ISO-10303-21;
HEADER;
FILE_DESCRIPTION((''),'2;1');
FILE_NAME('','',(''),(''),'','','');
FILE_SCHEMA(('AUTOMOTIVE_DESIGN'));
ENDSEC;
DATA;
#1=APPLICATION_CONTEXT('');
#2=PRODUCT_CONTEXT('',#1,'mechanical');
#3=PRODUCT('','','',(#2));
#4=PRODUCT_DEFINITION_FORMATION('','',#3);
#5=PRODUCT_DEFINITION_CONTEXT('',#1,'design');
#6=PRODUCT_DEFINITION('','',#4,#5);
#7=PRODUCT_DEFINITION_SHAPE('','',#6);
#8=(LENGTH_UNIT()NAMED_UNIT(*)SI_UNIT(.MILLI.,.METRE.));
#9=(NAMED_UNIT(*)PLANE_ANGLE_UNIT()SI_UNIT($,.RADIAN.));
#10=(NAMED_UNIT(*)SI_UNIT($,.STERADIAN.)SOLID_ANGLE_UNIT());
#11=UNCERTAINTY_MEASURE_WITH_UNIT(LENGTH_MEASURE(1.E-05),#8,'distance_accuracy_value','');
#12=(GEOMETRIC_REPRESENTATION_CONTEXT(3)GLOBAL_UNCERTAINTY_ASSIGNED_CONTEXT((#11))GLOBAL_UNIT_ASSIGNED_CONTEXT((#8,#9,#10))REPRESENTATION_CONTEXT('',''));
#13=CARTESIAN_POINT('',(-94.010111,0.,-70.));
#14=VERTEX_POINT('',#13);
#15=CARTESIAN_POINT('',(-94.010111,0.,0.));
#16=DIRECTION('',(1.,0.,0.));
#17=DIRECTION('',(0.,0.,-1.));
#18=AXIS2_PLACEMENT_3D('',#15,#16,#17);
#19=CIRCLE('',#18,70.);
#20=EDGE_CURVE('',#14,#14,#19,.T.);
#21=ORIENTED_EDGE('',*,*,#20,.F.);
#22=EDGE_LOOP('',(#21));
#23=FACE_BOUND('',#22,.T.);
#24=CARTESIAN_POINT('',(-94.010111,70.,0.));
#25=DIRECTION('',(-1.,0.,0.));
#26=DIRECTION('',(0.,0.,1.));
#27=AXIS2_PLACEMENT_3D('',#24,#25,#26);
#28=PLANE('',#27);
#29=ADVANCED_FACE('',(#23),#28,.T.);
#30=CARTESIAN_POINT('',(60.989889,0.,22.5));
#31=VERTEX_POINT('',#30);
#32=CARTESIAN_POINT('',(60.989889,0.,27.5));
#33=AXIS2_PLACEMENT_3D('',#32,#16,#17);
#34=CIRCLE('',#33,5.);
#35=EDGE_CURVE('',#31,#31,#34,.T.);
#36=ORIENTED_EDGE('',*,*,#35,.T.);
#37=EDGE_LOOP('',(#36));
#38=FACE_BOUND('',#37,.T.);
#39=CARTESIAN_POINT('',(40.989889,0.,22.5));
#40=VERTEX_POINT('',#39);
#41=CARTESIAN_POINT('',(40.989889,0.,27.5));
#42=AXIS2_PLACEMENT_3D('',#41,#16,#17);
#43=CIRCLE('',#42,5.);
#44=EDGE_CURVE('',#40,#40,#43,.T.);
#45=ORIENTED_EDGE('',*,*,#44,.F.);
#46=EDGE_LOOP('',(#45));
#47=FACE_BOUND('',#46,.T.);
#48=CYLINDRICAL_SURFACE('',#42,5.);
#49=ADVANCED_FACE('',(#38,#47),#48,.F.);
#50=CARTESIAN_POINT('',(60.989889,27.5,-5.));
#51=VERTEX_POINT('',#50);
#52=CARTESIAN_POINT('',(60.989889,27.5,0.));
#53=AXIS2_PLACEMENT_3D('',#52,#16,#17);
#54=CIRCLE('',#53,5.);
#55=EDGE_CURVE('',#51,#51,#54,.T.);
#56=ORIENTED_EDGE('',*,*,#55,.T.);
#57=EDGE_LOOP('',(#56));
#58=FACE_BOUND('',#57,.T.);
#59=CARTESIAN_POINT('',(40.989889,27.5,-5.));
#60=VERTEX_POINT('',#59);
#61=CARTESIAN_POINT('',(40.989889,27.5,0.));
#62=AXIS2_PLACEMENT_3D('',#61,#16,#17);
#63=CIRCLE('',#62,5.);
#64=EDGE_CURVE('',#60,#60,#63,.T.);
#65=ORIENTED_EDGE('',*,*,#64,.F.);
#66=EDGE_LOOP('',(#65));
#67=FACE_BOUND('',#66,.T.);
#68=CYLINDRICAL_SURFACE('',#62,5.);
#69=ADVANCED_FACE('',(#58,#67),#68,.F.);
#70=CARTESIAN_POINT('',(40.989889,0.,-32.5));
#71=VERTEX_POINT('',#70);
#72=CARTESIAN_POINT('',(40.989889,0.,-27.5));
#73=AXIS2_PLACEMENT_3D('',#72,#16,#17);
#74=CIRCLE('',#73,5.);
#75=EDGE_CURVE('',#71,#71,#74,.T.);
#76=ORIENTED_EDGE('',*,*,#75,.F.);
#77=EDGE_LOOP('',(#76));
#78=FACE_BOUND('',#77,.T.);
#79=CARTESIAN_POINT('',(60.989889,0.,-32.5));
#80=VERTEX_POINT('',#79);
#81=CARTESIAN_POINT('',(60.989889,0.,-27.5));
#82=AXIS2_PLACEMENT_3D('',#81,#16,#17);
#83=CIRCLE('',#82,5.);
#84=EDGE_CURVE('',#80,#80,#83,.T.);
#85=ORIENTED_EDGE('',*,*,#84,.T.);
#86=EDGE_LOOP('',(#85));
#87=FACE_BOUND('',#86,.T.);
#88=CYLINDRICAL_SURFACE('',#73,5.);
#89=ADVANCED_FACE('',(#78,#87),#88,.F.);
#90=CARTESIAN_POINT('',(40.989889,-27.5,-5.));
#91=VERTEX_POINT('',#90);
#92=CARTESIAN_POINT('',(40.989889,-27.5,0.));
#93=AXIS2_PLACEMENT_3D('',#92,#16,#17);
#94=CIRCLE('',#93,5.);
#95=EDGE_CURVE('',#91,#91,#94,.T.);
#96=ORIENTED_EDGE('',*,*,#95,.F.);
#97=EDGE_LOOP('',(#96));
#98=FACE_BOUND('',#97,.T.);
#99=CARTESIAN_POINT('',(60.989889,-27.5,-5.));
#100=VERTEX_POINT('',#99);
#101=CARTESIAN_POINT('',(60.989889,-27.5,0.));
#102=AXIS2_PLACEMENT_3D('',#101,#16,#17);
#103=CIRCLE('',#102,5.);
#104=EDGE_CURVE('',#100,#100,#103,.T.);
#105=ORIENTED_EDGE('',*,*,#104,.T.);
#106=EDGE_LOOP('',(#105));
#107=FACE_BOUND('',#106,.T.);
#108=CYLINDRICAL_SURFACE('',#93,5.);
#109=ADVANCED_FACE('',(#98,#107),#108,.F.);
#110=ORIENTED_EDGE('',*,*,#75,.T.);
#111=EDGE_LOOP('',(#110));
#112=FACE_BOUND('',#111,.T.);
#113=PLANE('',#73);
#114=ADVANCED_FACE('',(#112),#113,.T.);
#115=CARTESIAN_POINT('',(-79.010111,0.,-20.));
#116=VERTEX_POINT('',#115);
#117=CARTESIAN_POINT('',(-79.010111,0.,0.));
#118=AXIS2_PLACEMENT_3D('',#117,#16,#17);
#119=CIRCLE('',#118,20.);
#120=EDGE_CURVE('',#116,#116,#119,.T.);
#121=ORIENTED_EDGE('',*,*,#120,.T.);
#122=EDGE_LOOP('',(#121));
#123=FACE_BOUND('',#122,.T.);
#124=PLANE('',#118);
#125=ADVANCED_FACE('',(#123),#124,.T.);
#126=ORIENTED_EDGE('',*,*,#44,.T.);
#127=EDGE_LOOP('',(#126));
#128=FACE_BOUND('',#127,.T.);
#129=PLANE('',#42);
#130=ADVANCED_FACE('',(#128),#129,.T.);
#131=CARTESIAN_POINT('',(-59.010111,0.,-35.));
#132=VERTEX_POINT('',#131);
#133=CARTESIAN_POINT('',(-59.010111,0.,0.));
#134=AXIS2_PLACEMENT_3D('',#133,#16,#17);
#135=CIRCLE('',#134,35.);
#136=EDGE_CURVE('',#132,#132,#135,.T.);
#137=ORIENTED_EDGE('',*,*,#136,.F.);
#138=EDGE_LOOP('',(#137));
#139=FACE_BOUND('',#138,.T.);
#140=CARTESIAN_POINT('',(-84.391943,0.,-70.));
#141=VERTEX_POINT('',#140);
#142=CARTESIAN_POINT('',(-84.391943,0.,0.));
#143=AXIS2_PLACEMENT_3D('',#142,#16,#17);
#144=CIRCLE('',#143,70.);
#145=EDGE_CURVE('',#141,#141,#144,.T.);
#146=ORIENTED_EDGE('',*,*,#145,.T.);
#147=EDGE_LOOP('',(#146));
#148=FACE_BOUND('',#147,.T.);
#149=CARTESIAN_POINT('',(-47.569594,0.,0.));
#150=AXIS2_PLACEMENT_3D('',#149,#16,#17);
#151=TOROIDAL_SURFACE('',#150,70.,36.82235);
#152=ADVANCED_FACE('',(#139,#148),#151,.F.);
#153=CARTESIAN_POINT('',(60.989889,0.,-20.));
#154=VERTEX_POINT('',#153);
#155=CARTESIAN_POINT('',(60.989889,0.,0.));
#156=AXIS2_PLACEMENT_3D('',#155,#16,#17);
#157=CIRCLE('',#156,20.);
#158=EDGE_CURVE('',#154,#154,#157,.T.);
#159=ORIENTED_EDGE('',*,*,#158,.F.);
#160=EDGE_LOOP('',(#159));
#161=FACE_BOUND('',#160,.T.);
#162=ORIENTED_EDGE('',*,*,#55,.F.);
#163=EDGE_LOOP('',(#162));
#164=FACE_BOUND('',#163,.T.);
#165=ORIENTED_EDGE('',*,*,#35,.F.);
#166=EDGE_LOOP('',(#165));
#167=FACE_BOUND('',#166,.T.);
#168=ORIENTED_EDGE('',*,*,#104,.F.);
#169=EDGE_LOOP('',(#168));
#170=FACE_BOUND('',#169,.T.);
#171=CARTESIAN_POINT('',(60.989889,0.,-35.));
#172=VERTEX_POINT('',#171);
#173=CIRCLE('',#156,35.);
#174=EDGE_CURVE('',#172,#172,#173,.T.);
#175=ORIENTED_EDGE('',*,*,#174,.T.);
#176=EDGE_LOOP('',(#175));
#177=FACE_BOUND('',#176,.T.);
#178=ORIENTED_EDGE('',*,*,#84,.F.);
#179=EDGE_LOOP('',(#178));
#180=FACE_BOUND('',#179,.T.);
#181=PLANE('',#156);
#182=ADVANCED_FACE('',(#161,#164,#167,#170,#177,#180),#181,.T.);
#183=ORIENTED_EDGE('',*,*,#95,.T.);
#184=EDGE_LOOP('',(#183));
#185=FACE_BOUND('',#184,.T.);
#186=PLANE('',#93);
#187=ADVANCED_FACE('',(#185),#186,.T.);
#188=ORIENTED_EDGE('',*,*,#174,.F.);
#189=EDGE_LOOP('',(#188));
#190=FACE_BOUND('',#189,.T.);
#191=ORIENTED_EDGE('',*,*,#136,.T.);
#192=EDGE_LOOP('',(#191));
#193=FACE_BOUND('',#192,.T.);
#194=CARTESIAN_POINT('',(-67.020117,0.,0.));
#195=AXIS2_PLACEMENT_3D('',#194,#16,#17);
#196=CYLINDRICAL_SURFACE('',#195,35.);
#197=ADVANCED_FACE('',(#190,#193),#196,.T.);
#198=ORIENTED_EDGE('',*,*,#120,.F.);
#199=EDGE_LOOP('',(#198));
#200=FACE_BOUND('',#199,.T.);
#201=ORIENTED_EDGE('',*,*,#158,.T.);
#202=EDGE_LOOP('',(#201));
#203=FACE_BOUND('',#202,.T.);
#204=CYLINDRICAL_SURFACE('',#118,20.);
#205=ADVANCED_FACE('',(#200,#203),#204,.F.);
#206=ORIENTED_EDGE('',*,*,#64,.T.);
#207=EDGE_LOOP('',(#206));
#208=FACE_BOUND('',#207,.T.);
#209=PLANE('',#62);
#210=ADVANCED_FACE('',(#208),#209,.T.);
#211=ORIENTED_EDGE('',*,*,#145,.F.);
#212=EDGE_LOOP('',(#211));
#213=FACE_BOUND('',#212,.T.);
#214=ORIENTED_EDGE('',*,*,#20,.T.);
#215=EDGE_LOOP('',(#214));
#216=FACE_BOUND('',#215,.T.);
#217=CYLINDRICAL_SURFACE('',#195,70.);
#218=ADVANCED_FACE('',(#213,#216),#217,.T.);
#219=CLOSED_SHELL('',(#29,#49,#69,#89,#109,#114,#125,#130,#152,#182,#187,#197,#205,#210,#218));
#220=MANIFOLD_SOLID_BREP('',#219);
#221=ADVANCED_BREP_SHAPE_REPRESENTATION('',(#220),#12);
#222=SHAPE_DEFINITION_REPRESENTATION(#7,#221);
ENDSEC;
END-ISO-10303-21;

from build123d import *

# Parameters (mm, degrees)
ESBO_O8_R             = 20
CORTE_EXTRUS_O1_DEPTH = 140
ESBO_O9_R             = 5
CORTE_EXTRUS_O2_DEPTH = 20


with BuildPart() as part:
    # Esboço1 → Revolução1 (revolve)
    with BuildSketch(Plane.XY):
        with BuildLine():
            Line((-67.020117474, 0), (-94.010110831, 0))
            Line((-94.010110831, 0), (-94.010110831, 70))
            Line((-94.010110831, 70), (-84.391943284, 70))
            ThreePointArc((-84.391943284, 70), (-77.378586892, 48.382660787), (-59.010110831, 35))
            Line((-59.010110831, 35), (60.989889169, 35))
            Line((60.989889169, 35), (60.989889169, 0))
            Line((60.989889169, 0), (-67.020117474, 0))
        make_face()
    revolve(axis=Axis((-67.020117474, 0, 0), (-1, 0, 0)))

    # Esboço8 → Corte-extrusão1 (cut)
    with BuildSketch(Plane(origin=(60.989889169, 0, 0), x_dir=(0, 0, -1), z_dir=(1, 0, 0))):
        Circle(ESBO_O8_R)
    extrude(amount=-CORTE_EXTRUS_O1_DEPTH, mode=Mode.SUBTRACT)

    # Esboço9 → Corte-extrusão2 (cut)
    with BuildSketch(Plane(origin=(60.989889169, 0, 0), x_dir=(0, 0, -1), z_dir=(1, 0, 0))):
        with Locations((0, 27.5)):
            Circle(ESBO_O9_R)
        with Locations((27.5, 0)):
            Circle(ESBO_O9_R)
        with Locations((-27.5, 0)):
            Circle(ESBO_O9_R)
        with Locations((0, -27.5)):
            Circle(ESBO_O9_R)
    extrude(amount=-CORTE_EXTRUS_O2_DEPTH, mode=Mode.SUBTRACT)


solid = part.part
